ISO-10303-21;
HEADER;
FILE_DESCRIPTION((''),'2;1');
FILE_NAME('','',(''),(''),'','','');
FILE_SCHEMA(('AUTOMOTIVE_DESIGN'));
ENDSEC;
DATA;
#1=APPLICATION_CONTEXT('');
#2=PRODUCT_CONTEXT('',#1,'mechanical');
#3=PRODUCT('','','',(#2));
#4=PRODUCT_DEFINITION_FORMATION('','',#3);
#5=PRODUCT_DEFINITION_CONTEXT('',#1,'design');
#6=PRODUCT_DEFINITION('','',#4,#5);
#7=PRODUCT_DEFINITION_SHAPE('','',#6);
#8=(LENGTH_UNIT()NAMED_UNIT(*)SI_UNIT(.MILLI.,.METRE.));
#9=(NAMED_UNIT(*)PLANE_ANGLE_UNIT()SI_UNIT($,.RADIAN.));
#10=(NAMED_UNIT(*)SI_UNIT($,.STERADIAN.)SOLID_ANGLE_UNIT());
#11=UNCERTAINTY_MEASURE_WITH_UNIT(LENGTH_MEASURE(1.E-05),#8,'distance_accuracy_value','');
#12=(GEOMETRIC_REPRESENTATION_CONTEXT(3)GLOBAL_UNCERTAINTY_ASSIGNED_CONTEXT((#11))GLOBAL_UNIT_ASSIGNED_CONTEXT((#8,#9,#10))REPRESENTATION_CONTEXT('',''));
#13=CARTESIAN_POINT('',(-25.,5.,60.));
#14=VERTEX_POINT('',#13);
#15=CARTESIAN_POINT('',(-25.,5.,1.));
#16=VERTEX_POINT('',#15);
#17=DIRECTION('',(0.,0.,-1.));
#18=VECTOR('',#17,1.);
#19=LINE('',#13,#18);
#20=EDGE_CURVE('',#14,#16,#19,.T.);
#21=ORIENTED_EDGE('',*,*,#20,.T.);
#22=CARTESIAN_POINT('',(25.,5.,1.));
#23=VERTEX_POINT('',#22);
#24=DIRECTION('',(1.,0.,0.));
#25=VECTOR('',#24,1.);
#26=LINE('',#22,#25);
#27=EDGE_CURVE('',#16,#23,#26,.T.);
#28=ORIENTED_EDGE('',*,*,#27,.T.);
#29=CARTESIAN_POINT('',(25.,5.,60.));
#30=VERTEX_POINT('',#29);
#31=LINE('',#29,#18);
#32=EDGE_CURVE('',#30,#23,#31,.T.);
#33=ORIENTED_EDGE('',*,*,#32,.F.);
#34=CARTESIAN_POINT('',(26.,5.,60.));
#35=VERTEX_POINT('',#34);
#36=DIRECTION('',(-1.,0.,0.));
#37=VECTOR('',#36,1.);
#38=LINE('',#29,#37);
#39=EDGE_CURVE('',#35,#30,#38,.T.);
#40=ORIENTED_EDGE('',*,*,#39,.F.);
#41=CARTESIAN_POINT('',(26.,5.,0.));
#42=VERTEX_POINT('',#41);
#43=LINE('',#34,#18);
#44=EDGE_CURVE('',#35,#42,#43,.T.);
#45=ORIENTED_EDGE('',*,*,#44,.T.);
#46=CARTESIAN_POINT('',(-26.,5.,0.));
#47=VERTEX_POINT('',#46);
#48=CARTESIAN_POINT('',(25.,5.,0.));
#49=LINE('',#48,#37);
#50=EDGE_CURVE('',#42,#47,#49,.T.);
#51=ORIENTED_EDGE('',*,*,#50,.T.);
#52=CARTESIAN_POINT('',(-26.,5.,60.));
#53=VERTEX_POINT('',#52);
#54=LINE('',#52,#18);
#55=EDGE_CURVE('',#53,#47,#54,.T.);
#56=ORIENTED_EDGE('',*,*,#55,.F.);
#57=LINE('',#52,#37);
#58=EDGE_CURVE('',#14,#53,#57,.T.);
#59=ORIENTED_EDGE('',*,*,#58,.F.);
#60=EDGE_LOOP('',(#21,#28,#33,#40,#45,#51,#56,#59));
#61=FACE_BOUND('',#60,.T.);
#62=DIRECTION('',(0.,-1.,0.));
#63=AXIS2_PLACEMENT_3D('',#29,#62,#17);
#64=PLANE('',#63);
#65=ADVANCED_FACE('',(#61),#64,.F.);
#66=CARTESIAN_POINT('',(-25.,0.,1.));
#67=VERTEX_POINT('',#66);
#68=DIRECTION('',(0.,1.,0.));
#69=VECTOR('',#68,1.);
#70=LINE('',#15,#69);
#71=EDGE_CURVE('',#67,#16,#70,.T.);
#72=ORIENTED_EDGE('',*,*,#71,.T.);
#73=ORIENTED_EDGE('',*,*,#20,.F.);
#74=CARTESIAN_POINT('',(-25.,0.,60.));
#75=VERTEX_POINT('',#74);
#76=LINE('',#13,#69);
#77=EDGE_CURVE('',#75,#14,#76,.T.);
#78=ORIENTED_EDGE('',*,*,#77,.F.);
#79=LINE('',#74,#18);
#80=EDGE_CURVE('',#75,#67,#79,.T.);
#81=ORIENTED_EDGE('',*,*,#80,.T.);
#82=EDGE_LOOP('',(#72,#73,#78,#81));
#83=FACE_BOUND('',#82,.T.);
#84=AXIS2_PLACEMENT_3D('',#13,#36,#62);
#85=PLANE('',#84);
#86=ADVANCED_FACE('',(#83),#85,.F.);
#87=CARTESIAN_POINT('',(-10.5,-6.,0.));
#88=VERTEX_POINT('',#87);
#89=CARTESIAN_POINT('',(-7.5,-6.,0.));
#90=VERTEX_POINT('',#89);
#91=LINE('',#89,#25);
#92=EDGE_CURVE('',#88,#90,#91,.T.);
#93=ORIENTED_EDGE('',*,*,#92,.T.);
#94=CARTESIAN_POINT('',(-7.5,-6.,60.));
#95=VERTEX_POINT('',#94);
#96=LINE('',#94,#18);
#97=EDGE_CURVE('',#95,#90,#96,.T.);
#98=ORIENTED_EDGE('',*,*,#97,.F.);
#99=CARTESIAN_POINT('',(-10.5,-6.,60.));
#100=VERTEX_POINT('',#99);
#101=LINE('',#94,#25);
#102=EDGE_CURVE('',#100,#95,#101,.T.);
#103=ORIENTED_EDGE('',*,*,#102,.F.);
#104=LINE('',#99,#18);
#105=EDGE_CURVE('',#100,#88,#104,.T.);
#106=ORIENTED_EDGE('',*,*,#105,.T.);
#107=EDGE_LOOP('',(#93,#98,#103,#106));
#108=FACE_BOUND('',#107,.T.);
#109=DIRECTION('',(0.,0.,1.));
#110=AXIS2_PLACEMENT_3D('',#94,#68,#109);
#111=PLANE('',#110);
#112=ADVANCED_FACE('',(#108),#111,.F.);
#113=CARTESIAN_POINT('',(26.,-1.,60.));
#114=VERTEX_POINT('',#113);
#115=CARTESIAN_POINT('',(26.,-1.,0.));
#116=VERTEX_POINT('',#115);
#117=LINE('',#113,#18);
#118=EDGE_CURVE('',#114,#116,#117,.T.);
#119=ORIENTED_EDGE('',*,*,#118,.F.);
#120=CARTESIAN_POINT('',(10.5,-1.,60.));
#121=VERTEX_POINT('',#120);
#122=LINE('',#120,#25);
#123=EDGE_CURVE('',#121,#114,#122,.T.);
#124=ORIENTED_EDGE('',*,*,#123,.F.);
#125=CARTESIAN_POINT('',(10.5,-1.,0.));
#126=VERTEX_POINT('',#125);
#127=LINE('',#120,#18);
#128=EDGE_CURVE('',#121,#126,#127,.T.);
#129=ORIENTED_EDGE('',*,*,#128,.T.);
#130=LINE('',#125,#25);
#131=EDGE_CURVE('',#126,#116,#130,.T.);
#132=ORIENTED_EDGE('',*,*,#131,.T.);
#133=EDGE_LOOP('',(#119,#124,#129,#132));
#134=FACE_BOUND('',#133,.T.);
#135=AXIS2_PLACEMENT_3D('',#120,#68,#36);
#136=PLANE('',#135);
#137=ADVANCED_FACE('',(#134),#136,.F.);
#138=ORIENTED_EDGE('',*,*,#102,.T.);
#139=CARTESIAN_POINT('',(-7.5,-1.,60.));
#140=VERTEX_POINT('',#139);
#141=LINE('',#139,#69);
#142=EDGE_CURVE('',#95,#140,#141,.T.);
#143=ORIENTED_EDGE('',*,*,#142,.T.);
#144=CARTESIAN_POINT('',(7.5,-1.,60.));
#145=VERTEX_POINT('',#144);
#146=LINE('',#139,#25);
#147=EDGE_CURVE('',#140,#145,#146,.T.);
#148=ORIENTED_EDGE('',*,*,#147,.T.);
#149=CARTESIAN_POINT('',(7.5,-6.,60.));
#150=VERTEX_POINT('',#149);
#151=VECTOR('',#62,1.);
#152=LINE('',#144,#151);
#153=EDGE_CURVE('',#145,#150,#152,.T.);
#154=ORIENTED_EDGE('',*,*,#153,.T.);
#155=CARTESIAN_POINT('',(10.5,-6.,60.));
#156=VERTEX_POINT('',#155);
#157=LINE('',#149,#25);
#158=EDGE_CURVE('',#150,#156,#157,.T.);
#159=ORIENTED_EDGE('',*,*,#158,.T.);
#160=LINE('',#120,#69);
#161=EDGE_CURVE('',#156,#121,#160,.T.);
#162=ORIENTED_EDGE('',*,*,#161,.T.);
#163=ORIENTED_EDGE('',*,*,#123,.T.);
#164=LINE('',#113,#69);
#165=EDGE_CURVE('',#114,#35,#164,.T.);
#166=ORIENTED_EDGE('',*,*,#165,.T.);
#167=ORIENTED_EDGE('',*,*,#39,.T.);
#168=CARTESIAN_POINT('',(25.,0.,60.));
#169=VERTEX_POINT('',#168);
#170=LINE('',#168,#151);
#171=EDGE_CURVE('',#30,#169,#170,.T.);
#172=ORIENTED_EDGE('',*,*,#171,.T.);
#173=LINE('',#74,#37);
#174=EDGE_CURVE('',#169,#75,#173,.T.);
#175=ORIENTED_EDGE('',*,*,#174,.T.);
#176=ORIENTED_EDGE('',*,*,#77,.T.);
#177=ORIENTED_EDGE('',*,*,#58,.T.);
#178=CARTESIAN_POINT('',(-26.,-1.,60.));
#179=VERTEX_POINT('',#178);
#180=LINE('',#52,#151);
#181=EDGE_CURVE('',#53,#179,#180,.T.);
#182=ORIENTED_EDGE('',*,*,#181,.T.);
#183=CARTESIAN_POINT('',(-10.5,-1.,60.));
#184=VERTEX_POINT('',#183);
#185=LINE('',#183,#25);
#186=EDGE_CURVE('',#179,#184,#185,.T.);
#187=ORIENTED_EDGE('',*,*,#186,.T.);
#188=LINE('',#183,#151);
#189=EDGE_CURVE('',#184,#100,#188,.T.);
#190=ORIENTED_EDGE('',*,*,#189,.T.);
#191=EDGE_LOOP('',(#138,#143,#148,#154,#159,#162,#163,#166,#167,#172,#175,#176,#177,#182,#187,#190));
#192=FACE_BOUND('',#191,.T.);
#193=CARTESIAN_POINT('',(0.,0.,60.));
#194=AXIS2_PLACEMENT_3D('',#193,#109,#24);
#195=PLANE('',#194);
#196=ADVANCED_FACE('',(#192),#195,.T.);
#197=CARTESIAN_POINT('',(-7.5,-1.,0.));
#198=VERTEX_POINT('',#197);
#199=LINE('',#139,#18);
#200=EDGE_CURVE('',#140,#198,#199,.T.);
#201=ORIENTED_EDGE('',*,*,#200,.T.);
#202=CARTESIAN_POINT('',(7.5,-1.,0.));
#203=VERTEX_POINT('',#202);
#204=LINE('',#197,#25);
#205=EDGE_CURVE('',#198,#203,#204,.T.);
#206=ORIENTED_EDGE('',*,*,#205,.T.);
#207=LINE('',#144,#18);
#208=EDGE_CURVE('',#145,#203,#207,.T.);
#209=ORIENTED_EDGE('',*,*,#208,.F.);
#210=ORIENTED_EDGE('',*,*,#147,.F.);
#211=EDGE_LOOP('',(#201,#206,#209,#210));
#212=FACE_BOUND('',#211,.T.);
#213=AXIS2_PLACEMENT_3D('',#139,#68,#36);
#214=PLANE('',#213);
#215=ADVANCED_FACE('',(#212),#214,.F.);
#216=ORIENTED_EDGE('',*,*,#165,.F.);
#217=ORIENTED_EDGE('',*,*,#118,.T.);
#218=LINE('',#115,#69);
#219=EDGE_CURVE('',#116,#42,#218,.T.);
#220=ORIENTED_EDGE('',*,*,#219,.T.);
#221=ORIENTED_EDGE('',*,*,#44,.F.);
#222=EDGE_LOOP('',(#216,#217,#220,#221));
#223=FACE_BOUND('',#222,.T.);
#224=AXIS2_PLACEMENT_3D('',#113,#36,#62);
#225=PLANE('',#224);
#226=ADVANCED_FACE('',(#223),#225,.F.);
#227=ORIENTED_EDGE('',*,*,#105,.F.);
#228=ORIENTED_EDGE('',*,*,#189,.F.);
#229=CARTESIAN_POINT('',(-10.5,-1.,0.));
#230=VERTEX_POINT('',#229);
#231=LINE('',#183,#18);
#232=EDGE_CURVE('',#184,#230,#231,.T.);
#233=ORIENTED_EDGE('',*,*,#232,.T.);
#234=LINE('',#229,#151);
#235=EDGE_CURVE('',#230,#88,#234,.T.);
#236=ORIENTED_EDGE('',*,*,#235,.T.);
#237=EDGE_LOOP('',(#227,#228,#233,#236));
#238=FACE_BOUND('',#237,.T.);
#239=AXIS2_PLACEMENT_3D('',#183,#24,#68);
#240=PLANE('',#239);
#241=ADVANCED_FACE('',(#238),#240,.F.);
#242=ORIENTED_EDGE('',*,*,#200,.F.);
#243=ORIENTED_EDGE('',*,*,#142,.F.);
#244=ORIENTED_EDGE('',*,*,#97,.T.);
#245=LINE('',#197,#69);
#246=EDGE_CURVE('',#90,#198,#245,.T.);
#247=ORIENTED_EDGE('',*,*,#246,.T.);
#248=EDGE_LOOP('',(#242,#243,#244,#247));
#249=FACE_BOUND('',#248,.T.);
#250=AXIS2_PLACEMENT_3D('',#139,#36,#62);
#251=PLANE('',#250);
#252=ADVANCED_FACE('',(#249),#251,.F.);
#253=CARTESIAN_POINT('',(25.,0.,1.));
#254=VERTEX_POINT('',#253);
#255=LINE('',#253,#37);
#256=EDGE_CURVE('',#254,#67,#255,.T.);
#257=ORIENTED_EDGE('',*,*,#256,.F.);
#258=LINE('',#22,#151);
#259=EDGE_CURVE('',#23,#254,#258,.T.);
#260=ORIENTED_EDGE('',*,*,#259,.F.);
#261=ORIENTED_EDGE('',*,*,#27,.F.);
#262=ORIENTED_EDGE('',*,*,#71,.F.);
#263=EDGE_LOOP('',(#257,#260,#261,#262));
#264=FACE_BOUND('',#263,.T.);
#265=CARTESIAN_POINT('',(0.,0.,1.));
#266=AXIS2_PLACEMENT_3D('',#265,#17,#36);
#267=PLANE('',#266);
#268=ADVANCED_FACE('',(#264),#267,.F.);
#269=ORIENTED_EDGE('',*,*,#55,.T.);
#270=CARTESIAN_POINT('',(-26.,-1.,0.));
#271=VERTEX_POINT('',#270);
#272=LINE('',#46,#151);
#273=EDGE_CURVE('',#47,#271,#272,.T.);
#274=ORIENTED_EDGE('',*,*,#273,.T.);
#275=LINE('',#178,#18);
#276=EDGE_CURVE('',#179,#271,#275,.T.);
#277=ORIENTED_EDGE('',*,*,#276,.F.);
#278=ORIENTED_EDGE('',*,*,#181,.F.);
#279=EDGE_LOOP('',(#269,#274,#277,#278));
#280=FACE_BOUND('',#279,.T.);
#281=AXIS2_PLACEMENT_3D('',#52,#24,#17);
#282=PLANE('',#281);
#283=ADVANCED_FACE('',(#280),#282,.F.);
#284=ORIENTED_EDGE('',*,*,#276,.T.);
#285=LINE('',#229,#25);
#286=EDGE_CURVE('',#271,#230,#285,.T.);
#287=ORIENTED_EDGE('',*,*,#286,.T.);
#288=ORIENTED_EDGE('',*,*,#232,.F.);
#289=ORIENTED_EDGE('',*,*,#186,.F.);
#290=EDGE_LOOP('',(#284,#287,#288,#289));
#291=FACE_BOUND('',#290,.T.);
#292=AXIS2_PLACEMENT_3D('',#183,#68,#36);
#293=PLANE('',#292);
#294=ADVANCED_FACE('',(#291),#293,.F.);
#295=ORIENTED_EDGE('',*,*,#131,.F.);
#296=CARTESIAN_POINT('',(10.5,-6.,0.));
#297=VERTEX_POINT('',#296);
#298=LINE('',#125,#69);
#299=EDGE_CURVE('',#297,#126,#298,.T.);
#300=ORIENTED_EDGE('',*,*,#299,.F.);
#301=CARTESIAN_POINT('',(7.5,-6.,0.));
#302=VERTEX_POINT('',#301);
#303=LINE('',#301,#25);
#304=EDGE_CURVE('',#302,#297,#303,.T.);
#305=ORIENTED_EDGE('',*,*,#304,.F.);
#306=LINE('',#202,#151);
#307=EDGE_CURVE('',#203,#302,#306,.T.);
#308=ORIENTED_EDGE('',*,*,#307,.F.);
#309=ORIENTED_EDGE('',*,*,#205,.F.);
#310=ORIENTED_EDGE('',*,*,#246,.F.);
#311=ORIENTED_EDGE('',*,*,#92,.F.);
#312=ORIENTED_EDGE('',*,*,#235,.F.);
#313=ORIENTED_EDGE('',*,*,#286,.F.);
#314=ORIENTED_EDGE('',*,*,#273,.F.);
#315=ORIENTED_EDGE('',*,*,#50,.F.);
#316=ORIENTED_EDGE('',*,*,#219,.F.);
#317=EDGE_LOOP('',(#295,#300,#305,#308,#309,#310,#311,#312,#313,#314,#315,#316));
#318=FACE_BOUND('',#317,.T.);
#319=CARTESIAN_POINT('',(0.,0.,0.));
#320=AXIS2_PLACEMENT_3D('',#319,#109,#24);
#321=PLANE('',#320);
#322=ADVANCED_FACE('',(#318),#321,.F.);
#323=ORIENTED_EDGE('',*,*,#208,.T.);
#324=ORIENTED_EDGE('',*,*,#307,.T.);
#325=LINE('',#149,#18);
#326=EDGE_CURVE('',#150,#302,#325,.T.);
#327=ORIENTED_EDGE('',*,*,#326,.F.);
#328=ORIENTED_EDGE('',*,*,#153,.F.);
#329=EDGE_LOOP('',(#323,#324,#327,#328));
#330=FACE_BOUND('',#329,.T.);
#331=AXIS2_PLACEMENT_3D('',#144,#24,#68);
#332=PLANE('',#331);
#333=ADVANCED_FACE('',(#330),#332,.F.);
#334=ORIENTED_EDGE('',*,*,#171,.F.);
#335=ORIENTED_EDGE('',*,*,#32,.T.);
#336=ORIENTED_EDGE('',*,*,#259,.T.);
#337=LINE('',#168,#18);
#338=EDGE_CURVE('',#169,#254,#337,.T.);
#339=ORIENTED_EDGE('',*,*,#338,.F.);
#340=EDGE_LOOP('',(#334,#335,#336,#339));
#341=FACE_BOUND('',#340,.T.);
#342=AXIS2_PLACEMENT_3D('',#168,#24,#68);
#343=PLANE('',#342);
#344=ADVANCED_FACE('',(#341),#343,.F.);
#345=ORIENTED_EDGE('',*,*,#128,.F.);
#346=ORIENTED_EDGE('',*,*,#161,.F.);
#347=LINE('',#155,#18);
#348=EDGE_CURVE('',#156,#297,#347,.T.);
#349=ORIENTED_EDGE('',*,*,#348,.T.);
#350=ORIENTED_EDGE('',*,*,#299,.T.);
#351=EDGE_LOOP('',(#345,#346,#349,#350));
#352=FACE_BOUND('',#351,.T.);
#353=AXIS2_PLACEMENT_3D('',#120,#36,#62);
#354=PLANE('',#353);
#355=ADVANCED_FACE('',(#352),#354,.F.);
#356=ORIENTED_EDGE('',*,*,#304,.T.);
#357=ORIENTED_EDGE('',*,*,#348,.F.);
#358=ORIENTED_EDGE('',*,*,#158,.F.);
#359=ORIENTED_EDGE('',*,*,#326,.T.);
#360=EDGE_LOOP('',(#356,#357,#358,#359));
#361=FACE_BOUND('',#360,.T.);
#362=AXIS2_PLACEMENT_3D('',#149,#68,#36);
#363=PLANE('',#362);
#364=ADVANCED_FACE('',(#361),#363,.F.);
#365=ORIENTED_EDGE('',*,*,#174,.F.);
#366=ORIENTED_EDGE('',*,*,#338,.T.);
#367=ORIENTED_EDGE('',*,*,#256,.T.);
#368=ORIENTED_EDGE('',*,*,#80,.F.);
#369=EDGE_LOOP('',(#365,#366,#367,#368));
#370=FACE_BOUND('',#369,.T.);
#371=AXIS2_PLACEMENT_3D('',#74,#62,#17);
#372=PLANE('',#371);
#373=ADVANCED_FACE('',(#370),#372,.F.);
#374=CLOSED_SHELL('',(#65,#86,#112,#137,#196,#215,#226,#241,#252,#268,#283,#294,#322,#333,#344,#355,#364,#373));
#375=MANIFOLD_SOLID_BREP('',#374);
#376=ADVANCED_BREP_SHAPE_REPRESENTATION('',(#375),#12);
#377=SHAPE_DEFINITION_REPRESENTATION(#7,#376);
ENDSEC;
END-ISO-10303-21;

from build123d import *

# Parameters (mm, degrees)
BOSS_EXTRUDE1_DEPTH = 60
SKETCH2_W           = 50
SKETCH2_H           = 5
BOSS_EXTRUDE2_DEPTH = 1


with BuildPart() as part:
    # Sketch1 → Boss-Extrude1 (new body)
    with BuildSketch(Plane.XY):
        Polygon((-25, 0), (25, 0), (25, 5), (26, 5), (26, -1), (10.5, -1), (10.5, -6), (7.5, -6), (7.5, -1), (-7.5, -1), (-7.5, -6), (-10.5, -6), (-10.5, -1), (-26, -1), (-26, 5), (-25, 5), align=None)
    extrude(amount=BOSS_EXTRUDE1_DEPTH)

    # Sketch2 → Boss-Extrude2 (add)
    with BuildSketch(Plane(origin=(0, 0, 0), x_dir=(-1, 0, 0), z_dir=(0, 0, -1))):
        with Locations((0, 2.5)):
            Rectangle(SKETCH2_W, SKETCH2_H)
    extrude(amount=-BOSS_EXTRUDE2_DEPTH)


solid = part.part
